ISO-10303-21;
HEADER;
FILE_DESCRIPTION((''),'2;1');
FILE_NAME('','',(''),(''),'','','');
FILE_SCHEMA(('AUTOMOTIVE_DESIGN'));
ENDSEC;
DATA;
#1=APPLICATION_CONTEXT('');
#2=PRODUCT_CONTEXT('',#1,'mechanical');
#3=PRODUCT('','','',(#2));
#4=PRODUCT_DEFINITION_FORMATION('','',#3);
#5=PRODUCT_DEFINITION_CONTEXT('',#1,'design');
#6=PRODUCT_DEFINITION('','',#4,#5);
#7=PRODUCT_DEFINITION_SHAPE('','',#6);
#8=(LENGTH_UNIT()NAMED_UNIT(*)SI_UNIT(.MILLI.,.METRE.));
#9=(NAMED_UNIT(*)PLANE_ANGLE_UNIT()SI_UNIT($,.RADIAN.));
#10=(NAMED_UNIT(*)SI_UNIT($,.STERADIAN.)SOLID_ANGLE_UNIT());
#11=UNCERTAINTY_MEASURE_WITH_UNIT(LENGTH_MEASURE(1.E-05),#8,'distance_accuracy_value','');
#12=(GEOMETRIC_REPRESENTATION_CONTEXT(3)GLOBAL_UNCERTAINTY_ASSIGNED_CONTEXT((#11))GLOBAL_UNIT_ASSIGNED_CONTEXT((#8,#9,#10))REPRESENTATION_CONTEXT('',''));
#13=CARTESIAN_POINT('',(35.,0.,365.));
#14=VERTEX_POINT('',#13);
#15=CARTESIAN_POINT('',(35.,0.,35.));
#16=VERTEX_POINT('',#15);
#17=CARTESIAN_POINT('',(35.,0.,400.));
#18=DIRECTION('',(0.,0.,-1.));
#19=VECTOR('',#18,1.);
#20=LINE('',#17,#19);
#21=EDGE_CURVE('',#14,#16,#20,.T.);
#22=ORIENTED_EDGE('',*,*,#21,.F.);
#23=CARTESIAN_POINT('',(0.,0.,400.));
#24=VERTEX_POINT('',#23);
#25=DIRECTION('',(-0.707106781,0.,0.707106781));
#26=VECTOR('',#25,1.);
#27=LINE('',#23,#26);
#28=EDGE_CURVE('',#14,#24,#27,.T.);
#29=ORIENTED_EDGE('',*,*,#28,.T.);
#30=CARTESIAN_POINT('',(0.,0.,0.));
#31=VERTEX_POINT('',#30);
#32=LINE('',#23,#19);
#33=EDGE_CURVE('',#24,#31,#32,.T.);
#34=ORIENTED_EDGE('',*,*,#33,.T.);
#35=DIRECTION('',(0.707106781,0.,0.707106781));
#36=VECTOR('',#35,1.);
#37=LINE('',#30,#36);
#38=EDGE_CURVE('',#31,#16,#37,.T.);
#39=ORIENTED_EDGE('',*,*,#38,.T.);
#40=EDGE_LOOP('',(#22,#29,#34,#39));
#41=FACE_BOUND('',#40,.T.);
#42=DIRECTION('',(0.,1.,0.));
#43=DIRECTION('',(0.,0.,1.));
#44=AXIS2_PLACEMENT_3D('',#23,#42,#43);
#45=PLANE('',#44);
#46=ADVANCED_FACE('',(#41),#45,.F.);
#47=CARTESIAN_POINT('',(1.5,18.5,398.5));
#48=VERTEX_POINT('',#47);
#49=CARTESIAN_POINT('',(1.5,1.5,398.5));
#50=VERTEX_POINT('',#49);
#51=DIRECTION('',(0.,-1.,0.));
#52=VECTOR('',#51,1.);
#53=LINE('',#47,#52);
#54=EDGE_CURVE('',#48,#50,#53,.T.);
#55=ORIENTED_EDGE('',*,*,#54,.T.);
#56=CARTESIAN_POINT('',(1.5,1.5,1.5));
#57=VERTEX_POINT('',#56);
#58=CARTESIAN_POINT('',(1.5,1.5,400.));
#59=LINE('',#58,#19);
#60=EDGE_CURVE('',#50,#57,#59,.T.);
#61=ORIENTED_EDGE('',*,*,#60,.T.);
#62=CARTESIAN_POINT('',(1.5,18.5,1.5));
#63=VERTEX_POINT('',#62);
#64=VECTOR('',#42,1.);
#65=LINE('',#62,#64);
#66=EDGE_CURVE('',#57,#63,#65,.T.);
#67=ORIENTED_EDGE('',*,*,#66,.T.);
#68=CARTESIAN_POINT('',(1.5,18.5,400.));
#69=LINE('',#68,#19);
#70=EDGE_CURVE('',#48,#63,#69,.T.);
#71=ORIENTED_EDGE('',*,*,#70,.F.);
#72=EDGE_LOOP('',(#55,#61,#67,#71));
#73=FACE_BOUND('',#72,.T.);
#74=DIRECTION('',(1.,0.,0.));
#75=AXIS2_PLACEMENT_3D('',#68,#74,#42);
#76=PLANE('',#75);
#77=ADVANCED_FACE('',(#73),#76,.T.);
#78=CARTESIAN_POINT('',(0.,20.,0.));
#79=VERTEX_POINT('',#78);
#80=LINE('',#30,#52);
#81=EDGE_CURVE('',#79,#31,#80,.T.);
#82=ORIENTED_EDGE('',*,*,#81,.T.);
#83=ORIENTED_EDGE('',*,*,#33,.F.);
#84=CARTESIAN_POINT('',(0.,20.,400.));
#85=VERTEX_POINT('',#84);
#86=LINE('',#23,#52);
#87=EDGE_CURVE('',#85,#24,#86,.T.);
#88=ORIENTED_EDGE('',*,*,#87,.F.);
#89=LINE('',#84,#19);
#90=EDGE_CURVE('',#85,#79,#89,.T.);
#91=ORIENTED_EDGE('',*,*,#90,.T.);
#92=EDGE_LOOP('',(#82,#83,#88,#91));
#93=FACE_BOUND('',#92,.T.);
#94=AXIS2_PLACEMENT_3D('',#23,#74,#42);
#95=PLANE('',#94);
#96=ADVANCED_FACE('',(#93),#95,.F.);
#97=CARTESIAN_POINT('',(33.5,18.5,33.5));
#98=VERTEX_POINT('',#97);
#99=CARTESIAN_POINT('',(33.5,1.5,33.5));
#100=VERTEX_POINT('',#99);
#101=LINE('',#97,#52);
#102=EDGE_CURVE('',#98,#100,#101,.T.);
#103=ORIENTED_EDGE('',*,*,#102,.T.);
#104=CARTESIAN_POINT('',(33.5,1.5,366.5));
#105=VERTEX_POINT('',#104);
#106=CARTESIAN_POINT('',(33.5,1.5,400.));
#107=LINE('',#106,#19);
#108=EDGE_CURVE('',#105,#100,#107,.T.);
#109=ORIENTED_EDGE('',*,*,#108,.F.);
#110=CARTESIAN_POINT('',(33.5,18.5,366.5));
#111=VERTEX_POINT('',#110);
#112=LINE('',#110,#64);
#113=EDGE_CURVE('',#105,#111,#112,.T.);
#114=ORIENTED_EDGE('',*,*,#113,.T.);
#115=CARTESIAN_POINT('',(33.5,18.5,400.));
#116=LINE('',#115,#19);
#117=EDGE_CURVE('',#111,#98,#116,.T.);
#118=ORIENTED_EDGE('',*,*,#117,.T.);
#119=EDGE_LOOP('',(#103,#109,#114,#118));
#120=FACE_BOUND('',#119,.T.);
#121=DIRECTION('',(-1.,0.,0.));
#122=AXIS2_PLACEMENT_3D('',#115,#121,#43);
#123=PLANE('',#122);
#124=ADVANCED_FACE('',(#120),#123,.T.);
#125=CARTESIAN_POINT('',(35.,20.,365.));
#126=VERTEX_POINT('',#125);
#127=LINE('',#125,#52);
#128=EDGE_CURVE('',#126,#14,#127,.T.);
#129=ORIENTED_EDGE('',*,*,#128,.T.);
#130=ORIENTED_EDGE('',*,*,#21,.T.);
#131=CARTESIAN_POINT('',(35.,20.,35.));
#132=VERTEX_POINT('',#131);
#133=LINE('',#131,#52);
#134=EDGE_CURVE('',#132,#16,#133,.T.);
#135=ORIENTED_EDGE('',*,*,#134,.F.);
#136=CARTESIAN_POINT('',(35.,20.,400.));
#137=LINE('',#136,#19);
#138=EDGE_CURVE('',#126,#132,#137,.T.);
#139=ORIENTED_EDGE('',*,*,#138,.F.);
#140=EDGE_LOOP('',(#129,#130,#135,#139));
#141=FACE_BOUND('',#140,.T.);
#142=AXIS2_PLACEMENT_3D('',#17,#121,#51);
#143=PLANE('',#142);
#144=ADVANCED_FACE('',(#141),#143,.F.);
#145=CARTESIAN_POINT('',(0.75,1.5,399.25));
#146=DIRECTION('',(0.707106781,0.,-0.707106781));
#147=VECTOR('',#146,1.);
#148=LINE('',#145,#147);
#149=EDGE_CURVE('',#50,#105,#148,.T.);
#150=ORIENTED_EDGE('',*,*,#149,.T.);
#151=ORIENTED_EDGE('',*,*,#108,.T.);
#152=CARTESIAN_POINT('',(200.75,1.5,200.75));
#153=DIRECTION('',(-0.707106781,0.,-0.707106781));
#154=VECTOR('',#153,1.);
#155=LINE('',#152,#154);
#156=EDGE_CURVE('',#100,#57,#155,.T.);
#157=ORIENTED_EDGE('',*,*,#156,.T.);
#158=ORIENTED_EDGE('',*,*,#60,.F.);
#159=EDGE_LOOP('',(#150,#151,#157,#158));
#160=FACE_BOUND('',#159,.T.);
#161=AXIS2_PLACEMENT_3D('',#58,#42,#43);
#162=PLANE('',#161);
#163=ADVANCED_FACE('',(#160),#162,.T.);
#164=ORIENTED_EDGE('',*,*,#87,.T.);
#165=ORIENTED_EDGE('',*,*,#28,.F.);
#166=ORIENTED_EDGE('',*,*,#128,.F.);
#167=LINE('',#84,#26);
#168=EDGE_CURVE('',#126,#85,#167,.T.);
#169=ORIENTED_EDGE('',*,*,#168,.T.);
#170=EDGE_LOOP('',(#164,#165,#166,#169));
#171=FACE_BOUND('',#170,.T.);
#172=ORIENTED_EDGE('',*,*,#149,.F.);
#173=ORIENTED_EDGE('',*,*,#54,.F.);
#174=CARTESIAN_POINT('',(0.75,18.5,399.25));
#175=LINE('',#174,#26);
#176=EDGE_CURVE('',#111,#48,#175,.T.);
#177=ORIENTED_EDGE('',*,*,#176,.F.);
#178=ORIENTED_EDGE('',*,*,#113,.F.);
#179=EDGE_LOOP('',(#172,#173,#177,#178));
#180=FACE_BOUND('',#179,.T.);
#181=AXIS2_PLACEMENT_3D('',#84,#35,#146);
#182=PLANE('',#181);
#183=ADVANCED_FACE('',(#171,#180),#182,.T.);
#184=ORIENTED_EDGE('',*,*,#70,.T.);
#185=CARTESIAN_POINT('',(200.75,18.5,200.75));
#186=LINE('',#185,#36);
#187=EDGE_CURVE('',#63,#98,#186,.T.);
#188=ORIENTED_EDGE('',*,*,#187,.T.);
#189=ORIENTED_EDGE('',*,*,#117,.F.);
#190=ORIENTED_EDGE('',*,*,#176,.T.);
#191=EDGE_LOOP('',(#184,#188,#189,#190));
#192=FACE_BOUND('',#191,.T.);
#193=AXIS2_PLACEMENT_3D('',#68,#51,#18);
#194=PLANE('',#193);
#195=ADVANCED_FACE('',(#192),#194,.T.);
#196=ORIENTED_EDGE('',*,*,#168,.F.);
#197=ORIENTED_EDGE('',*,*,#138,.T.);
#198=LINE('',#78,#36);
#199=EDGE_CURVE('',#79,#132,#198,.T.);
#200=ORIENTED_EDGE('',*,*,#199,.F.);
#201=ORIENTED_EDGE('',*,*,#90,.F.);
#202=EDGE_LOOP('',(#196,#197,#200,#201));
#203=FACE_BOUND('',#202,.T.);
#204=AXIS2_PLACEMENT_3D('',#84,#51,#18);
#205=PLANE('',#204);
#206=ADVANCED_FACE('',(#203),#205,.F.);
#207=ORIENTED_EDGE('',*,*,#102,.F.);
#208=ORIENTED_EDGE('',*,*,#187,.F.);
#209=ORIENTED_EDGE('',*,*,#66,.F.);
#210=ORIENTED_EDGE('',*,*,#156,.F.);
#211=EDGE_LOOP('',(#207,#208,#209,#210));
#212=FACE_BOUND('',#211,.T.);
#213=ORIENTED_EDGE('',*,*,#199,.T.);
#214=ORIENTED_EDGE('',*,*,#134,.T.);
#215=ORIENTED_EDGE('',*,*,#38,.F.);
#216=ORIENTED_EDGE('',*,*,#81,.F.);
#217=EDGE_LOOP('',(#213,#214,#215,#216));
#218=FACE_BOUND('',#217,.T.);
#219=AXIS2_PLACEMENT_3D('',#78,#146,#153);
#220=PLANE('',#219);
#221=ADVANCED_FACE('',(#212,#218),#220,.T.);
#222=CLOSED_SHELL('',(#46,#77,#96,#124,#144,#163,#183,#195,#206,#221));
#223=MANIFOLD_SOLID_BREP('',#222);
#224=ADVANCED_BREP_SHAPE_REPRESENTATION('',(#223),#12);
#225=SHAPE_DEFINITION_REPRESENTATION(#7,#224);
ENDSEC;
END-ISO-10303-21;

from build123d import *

# Parameters (mm, degrees)
ESQUISSE1_W             = 35
ESQUISSE1_H             = 20
ESQUISSE1_W_2           = 32
ESQUISSE1_H_2           = 17
BOSS_EXTRU_1_DEPTH      = 400
ENL_V_MAT_EXTRU_1_DEPTH = 403.026118555
ENL_V_MAT_EXTRU_3_DEPTH = 403.026118555


with BuildPart() as part:
    # Esquisse1 → Boss.-Extru.1 (new body)
    with BuildSketch(Plane.XY):
        with Locations((17.5, 10)):
            Rectangle(ESQUISSE1_W, ESQUISSE1_H)
        with Locations((17.5, 10)):
            Rectangle(ESQUISSE1_W_2, ESQUISSE1_H_2, mode=Mode.SUBTRACT)
    extrude(amount=BOSS_EXTRU_1_DEPTH)

    # Esquisse2 → Enlèv. mat.-Extru.1 (cut, through all)
    with BuildSketch(Plane(origin=(0, 0, 0), x_dir=(1, 0, 0), z_dir=(0, 1, 0))):
        Polygon((0, -400), (35, -365), (35, -400), align=None)
    extrude(amount=ENL_V_MAT_EXTRU_1_DEPTH, mode=Mode.SUBTRACT)

    # Esquisse4 → Enlèv. mat.-Extru.3 (cut, through all)
    with BuildSketch(Plane(origin=(0, 0, 0), x_dir=(1, 0, 0), z_dir=(0, 1, 0))):
        Polygon((0, 0), (35, -35), (35, 0), align=None)
    extrude(amount=ENL_V_MAT_EXTRU_3_DEPTH, mode=Mode.SUBTRACT)


solid = part.part
